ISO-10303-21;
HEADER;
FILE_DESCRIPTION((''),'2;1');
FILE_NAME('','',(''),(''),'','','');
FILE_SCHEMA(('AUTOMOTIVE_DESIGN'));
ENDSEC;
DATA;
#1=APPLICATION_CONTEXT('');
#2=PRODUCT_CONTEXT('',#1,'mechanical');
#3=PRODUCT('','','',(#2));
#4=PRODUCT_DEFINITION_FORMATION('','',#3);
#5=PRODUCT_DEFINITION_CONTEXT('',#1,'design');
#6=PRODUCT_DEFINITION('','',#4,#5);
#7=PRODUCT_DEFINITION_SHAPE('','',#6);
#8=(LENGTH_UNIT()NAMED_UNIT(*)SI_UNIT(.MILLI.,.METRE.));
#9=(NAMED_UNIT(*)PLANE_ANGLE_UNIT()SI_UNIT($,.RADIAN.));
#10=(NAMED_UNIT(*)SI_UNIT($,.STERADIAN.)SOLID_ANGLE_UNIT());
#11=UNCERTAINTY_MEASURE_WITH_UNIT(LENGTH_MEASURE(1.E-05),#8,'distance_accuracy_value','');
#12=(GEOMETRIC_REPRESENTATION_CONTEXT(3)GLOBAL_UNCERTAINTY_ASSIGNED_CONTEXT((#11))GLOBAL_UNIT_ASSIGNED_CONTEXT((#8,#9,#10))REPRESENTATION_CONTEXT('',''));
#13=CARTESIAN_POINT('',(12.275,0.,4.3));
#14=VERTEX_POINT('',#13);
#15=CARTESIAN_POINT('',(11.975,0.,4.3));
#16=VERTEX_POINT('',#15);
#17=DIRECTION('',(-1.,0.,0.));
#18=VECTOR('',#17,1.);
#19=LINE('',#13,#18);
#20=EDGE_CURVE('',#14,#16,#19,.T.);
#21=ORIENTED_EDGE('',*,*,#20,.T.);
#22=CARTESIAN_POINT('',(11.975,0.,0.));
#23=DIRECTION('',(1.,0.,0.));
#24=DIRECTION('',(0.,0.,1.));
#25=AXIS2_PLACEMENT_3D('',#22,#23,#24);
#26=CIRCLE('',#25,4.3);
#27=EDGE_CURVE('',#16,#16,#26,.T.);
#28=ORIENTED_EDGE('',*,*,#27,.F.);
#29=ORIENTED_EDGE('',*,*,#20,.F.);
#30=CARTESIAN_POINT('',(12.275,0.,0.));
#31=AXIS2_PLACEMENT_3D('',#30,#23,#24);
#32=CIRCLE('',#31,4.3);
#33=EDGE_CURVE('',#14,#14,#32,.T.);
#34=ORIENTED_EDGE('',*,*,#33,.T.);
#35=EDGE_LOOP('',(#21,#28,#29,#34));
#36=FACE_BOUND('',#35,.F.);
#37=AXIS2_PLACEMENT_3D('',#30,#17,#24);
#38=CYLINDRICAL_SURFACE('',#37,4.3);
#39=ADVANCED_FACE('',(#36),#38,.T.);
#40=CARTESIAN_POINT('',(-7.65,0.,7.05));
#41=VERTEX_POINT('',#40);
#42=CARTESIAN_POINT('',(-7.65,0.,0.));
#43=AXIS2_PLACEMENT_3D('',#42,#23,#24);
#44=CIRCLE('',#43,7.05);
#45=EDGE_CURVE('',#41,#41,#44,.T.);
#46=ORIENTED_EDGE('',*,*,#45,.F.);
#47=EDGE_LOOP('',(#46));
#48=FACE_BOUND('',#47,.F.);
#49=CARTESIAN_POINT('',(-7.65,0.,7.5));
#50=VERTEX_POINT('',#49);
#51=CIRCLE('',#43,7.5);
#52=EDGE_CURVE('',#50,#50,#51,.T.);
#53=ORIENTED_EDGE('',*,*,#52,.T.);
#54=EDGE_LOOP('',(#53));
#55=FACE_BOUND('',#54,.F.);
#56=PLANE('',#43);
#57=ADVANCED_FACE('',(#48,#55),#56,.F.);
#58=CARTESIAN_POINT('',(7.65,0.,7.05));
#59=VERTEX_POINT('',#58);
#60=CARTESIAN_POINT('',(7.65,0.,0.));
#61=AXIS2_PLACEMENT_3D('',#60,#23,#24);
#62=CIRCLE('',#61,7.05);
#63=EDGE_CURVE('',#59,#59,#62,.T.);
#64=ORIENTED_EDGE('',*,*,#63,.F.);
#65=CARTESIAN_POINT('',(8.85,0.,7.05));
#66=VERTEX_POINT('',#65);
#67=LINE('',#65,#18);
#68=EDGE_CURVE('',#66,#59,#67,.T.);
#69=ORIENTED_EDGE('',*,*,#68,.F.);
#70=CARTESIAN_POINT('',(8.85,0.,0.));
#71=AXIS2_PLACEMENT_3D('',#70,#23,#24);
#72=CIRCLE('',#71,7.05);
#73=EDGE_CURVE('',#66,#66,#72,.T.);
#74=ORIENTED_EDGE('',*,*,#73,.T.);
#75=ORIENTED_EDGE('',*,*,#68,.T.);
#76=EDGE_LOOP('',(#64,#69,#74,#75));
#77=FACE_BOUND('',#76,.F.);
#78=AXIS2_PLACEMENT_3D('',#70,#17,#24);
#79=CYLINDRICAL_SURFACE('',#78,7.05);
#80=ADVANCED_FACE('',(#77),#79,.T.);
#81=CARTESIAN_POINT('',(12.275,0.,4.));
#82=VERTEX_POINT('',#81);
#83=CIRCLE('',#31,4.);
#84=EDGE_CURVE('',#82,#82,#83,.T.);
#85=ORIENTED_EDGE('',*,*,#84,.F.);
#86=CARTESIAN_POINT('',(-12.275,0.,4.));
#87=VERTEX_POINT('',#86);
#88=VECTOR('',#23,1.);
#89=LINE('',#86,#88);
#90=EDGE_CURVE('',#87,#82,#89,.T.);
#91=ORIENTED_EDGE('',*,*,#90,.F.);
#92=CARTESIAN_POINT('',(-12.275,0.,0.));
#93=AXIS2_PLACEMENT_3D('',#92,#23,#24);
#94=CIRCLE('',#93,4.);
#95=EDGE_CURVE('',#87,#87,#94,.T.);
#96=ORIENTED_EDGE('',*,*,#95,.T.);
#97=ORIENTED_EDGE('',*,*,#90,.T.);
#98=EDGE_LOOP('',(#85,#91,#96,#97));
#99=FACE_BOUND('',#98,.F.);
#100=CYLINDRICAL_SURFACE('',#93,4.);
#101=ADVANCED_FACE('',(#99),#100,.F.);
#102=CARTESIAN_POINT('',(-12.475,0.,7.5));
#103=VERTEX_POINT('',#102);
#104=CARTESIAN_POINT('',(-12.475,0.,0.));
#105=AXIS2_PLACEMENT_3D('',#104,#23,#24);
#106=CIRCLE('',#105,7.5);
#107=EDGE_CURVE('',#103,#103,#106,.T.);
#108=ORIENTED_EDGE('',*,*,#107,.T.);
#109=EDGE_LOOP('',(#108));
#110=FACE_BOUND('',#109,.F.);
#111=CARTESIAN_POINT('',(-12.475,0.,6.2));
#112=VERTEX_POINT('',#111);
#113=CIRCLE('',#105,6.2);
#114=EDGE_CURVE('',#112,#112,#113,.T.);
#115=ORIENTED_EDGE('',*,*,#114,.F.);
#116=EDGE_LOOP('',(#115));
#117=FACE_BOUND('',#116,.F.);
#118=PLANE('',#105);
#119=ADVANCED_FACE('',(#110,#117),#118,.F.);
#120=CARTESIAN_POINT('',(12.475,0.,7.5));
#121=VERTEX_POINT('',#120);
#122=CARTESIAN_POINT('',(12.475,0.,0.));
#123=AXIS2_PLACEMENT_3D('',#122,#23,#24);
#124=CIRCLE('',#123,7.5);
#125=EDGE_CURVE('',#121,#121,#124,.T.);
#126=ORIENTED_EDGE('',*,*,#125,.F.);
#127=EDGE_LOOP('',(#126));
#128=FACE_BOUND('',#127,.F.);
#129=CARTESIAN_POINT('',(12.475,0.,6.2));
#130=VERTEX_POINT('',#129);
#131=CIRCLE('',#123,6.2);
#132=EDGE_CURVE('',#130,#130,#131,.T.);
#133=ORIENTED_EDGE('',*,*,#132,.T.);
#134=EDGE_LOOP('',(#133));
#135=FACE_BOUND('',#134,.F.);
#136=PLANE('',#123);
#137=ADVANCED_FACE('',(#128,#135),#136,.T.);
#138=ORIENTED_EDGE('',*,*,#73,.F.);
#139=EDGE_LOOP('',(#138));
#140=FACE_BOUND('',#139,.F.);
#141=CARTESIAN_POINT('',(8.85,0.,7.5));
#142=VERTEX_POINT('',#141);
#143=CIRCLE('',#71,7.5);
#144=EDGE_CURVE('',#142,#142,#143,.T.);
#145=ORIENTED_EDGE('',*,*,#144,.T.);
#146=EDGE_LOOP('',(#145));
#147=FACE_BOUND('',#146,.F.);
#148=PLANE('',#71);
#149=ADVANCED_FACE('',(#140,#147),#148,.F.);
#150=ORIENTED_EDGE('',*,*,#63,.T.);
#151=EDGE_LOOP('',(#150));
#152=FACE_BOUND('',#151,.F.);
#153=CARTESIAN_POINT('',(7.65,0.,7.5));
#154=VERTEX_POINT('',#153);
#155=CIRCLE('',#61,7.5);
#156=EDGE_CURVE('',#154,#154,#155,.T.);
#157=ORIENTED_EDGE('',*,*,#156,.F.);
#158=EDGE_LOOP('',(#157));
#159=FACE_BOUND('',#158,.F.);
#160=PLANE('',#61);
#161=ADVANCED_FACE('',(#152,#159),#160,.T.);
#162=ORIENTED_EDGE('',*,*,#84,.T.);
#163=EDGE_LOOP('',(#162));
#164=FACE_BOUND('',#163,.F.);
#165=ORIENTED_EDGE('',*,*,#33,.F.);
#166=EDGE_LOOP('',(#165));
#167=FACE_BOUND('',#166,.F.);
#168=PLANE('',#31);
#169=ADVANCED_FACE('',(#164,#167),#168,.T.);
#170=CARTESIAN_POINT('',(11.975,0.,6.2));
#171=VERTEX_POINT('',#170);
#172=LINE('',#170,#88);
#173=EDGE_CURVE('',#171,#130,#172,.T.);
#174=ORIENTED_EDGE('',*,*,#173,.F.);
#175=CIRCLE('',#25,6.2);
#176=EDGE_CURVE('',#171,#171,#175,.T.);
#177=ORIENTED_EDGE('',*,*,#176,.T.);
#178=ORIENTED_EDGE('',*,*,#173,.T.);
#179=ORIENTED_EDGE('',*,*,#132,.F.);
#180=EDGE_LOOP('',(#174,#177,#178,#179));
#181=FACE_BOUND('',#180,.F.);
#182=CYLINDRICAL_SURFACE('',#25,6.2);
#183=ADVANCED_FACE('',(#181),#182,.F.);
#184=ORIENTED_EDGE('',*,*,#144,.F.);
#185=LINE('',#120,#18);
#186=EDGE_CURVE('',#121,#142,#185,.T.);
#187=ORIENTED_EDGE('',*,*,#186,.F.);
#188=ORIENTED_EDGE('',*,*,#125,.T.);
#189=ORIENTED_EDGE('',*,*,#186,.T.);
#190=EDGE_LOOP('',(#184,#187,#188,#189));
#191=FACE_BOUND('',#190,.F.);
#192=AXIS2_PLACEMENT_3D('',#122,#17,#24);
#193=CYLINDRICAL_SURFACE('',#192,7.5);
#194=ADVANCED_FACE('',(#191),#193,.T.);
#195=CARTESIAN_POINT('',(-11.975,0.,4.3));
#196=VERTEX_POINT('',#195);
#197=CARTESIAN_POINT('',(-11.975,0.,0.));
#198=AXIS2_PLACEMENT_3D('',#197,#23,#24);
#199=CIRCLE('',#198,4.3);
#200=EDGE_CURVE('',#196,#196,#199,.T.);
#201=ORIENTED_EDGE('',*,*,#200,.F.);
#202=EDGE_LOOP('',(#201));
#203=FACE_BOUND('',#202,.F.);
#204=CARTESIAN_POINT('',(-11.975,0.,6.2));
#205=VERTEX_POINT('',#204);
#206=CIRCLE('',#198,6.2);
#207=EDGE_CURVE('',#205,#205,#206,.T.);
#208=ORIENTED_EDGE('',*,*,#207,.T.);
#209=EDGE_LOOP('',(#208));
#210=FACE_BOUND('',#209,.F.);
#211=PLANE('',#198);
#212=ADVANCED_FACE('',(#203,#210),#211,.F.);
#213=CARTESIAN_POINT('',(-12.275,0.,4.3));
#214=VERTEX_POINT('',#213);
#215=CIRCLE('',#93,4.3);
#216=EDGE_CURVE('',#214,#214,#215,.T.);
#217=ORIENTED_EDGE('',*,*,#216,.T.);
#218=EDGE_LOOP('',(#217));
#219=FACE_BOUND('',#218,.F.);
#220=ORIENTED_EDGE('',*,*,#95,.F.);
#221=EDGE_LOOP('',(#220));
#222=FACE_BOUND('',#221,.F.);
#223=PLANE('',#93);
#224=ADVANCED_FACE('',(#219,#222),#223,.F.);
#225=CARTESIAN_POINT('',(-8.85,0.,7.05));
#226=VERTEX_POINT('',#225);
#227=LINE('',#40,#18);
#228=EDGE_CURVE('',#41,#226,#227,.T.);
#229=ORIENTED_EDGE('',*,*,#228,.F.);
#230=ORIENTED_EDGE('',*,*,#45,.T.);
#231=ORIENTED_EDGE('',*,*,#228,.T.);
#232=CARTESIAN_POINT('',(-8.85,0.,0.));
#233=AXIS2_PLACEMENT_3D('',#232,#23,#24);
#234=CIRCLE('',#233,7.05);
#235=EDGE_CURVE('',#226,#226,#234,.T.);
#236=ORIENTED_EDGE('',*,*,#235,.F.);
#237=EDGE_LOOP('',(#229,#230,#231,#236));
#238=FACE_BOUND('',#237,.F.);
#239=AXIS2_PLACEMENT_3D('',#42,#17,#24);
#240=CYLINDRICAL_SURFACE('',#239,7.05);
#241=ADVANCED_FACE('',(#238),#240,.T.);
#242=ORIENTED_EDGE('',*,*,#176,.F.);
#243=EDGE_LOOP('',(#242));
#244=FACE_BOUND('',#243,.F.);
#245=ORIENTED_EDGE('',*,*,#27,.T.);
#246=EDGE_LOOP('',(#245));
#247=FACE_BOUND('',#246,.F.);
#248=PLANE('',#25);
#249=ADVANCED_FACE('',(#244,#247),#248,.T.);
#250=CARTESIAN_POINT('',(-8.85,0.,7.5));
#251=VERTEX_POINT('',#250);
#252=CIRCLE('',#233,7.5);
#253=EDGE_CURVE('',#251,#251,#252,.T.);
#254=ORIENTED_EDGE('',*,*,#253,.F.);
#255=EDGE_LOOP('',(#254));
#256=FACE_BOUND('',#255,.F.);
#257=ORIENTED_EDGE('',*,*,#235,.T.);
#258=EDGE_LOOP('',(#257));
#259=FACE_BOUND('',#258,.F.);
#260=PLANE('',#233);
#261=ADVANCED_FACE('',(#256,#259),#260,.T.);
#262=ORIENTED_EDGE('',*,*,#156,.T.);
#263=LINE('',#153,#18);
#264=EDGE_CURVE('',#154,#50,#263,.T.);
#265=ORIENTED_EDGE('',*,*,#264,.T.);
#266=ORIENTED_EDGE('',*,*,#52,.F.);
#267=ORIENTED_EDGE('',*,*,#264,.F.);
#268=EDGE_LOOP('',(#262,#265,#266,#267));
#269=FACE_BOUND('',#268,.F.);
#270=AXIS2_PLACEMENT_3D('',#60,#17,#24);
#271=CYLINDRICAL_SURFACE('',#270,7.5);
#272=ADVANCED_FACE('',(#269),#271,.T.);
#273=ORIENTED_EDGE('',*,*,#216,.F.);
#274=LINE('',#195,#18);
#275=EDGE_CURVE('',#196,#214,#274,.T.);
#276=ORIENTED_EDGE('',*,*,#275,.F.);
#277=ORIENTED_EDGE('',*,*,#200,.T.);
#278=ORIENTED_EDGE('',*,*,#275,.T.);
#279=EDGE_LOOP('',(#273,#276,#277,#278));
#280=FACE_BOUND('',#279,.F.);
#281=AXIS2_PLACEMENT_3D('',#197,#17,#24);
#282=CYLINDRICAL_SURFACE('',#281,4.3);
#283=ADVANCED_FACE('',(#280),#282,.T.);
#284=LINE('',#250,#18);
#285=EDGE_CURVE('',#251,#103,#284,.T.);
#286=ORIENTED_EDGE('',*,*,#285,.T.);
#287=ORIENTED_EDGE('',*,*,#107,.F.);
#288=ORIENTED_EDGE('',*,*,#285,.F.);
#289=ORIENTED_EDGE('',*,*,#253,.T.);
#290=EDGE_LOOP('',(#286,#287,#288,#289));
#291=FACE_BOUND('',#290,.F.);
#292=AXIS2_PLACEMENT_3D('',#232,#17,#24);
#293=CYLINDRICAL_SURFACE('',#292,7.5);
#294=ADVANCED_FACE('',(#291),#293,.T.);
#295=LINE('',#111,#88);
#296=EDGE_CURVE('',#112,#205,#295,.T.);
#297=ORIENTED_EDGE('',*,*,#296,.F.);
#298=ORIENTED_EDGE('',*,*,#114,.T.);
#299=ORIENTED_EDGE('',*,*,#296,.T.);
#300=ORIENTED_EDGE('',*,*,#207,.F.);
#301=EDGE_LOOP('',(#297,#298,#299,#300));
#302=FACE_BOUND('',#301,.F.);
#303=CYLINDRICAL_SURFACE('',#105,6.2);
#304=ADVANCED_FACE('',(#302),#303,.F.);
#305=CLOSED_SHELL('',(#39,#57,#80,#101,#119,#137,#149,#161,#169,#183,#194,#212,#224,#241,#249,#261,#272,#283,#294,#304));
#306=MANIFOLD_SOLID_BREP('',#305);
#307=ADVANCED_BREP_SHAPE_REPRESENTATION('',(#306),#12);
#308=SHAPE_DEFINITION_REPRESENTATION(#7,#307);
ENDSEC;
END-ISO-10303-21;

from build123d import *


with BuildPart() as f1:
    # F0 (on Front) → F1 (revolve)
    with BuildSketch(Plane.XZ):
        Polygon((12.475, 6.2), (12.475, 7.5), (8.85, 7.5), (8.85, 7.05), (7.65, 7.05), (7.65, 7.5), (-7.65, 7.5), (-7.65, 7.05), (-8.85, 7.05), (-8.85, 7.5), (-12.475, 7.5), (-12.475, 6.2), (-11.975, 6.2), (-11.975, 4.3), (-12.275, 4.3), (-12.275, 4), (12.275, 4), (12.275, 4.3), (11.975, 4.3), (11.975, 6.2), align=None)
    revolve(axis=Axis((3.302263, 0, 0), (1, 0, 0)))


solid = f1.part
